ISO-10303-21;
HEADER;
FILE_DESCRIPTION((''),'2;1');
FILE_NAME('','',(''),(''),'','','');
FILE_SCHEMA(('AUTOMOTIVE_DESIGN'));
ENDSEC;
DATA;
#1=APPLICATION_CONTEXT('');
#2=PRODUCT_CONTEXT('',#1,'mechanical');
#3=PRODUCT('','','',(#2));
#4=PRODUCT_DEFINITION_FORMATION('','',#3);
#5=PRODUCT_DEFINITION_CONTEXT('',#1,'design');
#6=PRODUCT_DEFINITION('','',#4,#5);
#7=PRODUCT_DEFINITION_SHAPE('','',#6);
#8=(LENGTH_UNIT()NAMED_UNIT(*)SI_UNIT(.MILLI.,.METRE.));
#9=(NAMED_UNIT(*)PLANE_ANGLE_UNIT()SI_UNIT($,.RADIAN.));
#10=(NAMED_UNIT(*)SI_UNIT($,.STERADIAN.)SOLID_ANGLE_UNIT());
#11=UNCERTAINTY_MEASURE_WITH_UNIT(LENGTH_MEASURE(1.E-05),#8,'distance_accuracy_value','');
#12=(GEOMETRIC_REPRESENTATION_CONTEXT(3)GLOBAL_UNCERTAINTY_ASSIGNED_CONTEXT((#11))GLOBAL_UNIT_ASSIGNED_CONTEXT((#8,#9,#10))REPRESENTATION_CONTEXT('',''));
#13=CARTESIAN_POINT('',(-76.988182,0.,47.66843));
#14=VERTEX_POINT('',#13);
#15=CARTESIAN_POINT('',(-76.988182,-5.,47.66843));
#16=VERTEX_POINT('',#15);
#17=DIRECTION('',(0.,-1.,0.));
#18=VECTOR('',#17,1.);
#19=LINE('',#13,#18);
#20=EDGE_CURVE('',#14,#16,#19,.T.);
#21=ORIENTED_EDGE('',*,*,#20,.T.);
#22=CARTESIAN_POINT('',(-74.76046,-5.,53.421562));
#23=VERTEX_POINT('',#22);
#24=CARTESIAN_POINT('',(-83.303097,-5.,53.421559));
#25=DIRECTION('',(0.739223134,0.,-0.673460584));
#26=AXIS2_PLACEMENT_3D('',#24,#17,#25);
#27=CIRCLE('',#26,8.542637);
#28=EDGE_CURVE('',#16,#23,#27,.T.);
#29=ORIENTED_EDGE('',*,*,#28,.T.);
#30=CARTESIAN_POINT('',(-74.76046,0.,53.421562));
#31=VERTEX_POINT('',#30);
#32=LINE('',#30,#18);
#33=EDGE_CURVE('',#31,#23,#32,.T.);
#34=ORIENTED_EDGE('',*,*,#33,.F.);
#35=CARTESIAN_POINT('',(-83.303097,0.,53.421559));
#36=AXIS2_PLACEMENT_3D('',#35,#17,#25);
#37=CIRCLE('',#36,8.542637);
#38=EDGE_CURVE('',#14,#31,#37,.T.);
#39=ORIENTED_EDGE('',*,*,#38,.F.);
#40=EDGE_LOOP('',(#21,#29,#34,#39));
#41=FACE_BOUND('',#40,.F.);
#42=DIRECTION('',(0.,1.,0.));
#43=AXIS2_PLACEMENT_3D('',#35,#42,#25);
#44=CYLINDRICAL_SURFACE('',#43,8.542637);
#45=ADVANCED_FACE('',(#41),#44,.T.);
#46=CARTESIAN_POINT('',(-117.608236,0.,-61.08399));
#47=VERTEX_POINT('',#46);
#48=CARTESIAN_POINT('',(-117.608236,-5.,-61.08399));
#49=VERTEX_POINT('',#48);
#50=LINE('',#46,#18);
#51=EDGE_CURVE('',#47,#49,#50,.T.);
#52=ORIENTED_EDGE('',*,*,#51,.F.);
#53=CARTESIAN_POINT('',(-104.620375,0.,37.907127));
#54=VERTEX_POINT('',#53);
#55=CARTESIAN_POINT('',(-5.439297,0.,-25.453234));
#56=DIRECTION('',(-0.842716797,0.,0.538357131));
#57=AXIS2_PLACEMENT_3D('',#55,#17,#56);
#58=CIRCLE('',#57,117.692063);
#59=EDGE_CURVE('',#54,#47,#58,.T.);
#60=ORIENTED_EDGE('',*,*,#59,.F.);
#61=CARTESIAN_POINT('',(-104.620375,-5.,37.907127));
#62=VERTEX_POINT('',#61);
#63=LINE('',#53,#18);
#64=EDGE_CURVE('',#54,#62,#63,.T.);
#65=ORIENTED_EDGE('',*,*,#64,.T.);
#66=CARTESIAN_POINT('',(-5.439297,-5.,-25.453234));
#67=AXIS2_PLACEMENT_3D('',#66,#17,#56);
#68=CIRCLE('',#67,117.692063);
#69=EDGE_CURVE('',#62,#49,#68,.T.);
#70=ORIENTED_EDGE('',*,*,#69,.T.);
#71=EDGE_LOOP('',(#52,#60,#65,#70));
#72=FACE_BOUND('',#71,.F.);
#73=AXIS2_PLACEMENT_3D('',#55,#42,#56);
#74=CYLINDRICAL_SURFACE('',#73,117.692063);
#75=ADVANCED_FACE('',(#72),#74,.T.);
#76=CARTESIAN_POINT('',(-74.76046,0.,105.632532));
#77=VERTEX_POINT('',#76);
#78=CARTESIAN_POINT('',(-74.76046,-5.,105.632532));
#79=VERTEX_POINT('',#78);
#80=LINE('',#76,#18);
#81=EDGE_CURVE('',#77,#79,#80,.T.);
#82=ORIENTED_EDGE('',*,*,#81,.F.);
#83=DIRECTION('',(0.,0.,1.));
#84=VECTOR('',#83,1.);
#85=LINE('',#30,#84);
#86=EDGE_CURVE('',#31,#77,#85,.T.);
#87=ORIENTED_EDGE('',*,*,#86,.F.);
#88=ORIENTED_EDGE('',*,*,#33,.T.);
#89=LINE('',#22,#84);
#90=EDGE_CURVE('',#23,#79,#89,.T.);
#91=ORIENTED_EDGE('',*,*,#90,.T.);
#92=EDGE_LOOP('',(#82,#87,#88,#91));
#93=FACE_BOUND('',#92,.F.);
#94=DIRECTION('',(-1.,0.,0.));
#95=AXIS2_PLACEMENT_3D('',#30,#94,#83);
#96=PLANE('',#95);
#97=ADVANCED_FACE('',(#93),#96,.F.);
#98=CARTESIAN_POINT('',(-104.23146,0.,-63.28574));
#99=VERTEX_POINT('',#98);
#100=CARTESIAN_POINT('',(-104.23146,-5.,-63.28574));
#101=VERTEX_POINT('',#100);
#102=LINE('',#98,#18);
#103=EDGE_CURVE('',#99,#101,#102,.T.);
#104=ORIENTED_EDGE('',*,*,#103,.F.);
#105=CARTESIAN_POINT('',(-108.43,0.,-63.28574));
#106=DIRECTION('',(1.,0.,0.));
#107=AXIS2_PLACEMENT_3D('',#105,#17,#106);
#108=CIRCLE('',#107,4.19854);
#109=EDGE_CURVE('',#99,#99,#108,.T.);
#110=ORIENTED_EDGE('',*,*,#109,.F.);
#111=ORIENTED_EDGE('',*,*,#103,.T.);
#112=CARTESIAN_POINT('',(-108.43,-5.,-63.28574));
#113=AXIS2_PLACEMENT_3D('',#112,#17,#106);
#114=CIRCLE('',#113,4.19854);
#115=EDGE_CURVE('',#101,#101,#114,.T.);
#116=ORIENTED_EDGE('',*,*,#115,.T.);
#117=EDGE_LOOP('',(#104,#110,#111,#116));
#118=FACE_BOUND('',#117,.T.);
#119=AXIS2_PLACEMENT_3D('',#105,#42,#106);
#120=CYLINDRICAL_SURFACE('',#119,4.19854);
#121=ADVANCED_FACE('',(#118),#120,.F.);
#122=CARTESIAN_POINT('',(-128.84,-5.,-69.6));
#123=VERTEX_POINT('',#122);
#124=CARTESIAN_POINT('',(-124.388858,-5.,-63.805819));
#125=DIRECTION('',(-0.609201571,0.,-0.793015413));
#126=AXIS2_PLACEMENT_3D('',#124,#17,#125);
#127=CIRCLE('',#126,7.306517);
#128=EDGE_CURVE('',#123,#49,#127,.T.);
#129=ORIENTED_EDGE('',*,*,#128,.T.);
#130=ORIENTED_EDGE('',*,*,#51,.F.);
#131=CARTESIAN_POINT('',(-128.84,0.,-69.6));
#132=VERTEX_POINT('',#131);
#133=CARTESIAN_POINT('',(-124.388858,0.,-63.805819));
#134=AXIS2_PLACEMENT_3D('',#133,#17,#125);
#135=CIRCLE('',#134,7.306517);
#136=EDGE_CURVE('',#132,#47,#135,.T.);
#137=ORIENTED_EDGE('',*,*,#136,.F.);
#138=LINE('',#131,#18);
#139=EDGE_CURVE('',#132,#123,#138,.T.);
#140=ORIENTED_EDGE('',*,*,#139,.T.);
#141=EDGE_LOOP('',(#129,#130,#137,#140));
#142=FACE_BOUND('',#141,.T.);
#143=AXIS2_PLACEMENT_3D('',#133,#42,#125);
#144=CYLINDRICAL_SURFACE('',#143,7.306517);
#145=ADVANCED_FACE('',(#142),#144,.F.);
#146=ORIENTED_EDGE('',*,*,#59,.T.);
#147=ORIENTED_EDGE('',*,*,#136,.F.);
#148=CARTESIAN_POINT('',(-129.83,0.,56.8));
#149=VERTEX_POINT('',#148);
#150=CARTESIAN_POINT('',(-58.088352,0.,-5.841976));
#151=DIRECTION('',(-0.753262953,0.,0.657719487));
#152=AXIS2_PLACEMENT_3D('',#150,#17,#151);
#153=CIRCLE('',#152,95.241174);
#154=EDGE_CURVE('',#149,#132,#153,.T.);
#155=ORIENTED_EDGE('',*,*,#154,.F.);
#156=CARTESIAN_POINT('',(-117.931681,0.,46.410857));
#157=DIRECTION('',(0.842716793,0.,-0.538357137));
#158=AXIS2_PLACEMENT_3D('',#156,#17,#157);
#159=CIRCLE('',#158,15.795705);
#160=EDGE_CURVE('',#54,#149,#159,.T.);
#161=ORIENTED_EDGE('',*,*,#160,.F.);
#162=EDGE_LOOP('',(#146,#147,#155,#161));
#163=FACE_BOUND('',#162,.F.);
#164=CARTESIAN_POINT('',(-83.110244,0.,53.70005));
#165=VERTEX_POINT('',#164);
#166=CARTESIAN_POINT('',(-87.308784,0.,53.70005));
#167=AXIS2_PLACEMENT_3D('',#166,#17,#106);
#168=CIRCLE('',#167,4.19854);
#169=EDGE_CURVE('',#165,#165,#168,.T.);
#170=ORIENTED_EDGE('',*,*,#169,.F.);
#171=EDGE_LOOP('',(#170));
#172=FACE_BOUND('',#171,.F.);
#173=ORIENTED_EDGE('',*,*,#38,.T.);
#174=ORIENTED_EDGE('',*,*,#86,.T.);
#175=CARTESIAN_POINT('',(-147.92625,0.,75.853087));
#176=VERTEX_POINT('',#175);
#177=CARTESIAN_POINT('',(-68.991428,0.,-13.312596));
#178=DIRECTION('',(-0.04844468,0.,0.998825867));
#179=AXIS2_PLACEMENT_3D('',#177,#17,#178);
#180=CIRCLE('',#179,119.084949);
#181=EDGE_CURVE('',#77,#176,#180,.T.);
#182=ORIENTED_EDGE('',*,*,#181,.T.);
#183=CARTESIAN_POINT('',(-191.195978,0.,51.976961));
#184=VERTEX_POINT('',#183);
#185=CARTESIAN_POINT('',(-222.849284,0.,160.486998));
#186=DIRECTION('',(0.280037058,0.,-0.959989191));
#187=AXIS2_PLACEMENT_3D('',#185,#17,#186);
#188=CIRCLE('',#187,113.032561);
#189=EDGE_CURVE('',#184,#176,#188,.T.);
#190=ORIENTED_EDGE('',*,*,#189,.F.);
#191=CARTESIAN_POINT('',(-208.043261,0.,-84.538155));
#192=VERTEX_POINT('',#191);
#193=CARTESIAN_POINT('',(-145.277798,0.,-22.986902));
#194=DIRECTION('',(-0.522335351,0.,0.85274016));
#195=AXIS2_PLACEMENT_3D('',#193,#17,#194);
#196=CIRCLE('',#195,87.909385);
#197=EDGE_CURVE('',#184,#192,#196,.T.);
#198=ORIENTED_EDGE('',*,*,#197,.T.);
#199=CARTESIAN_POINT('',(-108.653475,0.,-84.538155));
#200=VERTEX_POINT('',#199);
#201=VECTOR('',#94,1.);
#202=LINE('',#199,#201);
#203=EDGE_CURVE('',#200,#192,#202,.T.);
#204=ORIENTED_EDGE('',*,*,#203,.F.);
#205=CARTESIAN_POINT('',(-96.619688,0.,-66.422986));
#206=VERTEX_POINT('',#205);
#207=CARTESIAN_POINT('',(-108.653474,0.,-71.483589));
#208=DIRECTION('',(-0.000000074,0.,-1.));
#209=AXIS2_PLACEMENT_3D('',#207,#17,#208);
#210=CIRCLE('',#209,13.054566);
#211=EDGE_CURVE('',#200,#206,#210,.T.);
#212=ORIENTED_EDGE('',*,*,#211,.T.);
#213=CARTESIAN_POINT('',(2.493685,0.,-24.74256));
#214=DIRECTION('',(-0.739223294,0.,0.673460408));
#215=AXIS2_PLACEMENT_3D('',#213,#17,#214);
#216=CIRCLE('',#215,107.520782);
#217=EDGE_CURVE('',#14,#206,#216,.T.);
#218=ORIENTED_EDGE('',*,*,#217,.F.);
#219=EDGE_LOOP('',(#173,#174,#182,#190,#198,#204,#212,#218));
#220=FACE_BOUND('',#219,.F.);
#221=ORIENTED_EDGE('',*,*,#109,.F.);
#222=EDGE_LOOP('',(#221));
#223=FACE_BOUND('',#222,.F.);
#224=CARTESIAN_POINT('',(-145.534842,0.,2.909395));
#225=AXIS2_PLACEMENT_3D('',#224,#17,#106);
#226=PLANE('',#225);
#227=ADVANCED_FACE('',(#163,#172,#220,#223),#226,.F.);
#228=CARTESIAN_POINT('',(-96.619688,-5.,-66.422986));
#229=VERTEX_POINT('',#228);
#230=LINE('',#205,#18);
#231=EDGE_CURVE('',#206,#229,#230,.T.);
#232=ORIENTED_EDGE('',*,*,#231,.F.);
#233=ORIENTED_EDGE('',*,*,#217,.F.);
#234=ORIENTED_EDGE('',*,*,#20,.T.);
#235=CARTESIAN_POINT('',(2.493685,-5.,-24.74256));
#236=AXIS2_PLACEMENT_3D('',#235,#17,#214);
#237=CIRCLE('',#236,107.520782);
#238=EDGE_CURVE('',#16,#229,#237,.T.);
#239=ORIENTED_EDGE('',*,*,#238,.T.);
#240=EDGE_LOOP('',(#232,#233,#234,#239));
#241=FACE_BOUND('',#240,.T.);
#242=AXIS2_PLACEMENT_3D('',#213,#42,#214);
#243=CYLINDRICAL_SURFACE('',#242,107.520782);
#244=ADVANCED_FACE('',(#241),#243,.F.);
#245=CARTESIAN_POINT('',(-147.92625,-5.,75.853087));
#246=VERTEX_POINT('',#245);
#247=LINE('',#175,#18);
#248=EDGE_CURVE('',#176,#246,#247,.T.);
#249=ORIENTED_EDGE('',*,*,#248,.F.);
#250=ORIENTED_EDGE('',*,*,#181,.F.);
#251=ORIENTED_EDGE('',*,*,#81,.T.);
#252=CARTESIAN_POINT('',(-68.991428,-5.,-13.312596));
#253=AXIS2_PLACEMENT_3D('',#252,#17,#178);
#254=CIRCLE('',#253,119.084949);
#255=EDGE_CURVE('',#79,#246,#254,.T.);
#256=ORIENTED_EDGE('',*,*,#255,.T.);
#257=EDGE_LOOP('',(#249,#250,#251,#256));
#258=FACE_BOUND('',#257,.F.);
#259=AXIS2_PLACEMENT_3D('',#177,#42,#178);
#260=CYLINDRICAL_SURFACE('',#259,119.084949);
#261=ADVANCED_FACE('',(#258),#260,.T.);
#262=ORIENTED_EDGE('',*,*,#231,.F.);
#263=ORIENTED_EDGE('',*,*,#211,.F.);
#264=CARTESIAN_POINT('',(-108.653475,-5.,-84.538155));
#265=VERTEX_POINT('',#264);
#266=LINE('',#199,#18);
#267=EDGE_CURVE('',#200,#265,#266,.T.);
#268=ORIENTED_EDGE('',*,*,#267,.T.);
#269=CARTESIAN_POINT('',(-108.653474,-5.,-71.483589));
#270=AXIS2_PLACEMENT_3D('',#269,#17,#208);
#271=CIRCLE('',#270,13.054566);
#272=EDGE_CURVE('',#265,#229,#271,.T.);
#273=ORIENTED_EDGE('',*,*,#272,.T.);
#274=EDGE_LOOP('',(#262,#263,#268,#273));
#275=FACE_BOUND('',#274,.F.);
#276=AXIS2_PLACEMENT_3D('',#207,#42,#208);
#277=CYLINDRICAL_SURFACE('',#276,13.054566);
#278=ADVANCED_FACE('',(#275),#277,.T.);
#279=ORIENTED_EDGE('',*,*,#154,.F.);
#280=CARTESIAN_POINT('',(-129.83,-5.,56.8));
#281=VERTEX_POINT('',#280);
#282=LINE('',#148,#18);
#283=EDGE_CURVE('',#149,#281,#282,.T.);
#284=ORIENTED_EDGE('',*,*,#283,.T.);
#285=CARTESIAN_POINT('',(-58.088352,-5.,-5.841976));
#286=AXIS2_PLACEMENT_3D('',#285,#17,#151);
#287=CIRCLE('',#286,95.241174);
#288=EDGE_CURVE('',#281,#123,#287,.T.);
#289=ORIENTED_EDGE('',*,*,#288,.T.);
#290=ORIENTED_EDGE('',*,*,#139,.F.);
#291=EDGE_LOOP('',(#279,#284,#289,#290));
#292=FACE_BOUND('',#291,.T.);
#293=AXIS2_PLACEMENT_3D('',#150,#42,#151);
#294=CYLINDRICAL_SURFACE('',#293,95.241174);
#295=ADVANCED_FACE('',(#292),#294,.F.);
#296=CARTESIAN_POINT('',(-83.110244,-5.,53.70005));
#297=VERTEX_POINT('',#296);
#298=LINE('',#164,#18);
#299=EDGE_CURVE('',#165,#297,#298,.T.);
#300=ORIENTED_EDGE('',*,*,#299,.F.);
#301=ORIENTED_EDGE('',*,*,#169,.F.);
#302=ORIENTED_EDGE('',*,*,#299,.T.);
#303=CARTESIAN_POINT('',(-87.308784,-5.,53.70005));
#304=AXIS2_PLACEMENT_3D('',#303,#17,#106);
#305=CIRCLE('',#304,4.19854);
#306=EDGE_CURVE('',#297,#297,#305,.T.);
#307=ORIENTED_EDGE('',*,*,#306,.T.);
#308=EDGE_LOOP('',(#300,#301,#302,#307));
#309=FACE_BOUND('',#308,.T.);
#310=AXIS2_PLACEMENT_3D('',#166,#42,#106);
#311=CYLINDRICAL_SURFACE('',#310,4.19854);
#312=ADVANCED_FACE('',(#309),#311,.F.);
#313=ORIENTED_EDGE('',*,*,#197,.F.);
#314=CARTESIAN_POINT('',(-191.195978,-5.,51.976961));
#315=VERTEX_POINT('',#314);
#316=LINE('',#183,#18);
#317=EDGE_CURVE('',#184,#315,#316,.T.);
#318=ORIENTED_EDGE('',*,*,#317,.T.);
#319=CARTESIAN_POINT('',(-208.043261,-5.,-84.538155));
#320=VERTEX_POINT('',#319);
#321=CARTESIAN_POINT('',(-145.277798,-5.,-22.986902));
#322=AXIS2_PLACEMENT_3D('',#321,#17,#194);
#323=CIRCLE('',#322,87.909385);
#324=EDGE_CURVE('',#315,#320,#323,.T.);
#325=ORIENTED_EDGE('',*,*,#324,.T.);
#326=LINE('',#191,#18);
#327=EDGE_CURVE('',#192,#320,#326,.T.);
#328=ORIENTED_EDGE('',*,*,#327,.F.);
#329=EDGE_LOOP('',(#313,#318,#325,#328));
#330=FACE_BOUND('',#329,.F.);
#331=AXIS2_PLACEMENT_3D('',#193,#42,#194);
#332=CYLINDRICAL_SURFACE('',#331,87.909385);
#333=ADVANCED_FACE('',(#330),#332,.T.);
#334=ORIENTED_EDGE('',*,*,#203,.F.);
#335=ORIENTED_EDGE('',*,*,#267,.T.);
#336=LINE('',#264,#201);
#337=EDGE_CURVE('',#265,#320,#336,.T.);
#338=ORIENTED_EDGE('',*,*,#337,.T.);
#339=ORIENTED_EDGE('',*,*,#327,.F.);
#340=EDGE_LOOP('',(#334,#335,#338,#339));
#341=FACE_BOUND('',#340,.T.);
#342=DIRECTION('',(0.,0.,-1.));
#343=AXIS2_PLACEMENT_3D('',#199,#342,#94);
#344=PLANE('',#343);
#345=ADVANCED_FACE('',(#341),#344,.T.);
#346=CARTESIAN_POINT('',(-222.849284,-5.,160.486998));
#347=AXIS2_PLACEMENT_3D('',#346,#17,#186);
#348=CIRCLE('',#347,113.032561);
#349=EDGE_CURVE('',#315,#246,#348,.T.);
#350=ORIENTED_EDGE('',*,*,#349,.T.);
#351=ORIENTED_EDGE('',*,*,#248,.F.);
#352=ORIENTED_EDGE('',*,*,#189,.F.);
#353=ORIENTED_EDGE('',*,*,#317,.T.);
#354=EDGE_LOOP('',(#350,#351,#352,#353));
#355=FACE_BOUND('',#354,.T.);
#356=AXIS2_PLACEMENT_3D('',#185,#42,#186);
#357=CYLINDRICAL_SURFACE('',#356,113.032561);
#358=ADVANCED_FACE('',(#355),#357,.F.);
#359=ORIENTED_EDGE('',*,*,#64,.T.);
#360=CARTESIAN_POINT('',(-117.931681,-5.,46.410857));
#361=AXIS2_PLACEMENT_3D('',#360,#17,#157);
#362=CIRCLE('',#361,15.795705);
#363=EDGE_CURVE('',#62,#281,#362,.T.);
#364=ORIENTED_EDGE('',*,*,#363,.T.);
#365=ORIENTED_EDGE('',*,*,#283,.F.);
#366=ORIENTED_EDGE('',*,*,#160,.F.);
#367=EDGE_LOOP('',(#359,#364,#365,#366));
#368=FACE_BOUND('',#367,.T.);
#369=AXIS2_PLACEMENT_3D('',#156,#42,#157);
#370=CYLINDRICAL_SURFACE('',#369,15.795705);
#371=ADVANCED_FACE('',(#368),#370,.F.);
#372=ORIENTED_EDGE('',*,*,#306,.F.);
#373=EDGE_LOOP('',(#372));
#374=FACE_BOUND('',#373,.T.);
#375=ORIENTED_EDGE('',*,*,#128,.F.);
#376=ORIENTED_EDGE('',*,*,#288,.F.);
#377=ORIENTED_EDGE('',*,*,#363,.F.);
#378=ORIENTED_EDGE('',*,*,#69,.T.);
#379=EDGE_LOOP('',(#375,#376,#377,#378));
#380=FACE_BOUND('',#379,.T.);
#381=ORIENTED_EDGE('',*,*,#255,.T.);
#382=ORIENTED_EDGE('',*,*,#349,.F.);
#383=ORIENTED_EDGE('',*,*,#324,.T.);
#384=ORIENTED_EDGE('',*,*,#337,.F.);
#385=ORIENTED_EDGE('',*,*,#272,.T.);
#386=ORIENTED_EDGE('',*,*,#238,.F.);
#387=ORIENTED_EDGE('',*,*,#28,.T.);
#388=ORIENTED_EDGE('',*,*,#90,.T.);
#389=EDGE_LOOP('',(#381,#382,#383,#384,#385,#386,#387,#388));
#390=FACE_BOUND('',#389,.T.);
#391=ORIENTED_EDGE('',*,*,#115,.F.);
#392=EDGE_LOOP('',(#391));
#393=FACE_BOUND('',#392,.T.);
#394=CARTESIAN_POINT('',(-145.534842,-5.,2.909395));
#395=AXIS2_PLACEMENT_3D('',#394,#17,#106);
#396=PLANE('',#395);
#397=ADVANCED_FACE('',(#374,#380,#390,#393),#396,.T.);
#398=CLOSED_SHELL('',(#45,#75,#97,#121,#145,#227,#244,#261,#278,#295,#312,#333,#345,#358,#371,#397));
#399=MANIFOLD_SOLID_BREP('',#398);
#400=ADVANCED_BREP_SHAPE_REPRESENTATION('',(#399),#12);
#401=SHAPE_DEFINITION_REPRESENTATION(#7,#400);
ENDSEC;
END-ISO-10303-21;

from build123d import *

# Parameters (mm, degrees)
SKETCH_R  = 4.19854
PAD_DEPTH = 5


with BuildPart() as part:
    # Sketch → Pad (new body)
    with BuildSketch(Plane.XZ):
        with BuildLine():
            Line((-74.76046, 53.421562), (-74.76046, 105.632532))
            ThreePointArc((-74.76046, 105.632532), (-113.884518, 96.986251), (-147.92625, 75.853087))
            ThreePointArc((-191.195978, 51.976961), (-168.240252, 61.521279), (-147.92625, 75.853087))
            ThreePointArc((-191.195978, 51.976961), (-232.525307, -12.219718), (-208.043261, -84.538155))
            Line((-108.653475, -84.538155), (-208.043261, -84.538155))
            ThreePointArc((-108.653475, -84.538155), (-97.779522, -78.707083), (-96.619688, -66.422986))
            ThreePointArc((-76.988182, 47.66843), (-103.469883, -6.509598), (-96.619688, -66.422986))
            ThreePointArc((-76.988182, 47.66843), (-75.336834, 50.336871), (-74.76046, 53.421562))
        make_face()
        with Locations((-108.43, -63.28574)):
            Circle(SKETCH_R, mode=Mode.SUBTRACT)
        with Locations((-87.308784, 53.70005)):
            Circle(SKETCH_R, mode=Mode.SUBTRACT)
        with BuildLine():
            ThreePointArc((-129.83, 56.8), (-153.326605, -6.587909), (-128.84, -69.6))
            ThreePointArc((-128.84, -69.6), (-119.974424, -69.628015), (-117.608236, -61.08399))
            ThreePointArc((-104.620375, 37.907127), (-122.131275, -10.14298), (-117.608236, -61.08399))
            ThreePointArc((-104.620375, 37.907127), (-108.458862, 59.050873), (-129.83, 56.8))
        make_face(mode=Mode.SUBTRACT)
    extrude(amount=PAD_DEPTH)


solid = part.part
